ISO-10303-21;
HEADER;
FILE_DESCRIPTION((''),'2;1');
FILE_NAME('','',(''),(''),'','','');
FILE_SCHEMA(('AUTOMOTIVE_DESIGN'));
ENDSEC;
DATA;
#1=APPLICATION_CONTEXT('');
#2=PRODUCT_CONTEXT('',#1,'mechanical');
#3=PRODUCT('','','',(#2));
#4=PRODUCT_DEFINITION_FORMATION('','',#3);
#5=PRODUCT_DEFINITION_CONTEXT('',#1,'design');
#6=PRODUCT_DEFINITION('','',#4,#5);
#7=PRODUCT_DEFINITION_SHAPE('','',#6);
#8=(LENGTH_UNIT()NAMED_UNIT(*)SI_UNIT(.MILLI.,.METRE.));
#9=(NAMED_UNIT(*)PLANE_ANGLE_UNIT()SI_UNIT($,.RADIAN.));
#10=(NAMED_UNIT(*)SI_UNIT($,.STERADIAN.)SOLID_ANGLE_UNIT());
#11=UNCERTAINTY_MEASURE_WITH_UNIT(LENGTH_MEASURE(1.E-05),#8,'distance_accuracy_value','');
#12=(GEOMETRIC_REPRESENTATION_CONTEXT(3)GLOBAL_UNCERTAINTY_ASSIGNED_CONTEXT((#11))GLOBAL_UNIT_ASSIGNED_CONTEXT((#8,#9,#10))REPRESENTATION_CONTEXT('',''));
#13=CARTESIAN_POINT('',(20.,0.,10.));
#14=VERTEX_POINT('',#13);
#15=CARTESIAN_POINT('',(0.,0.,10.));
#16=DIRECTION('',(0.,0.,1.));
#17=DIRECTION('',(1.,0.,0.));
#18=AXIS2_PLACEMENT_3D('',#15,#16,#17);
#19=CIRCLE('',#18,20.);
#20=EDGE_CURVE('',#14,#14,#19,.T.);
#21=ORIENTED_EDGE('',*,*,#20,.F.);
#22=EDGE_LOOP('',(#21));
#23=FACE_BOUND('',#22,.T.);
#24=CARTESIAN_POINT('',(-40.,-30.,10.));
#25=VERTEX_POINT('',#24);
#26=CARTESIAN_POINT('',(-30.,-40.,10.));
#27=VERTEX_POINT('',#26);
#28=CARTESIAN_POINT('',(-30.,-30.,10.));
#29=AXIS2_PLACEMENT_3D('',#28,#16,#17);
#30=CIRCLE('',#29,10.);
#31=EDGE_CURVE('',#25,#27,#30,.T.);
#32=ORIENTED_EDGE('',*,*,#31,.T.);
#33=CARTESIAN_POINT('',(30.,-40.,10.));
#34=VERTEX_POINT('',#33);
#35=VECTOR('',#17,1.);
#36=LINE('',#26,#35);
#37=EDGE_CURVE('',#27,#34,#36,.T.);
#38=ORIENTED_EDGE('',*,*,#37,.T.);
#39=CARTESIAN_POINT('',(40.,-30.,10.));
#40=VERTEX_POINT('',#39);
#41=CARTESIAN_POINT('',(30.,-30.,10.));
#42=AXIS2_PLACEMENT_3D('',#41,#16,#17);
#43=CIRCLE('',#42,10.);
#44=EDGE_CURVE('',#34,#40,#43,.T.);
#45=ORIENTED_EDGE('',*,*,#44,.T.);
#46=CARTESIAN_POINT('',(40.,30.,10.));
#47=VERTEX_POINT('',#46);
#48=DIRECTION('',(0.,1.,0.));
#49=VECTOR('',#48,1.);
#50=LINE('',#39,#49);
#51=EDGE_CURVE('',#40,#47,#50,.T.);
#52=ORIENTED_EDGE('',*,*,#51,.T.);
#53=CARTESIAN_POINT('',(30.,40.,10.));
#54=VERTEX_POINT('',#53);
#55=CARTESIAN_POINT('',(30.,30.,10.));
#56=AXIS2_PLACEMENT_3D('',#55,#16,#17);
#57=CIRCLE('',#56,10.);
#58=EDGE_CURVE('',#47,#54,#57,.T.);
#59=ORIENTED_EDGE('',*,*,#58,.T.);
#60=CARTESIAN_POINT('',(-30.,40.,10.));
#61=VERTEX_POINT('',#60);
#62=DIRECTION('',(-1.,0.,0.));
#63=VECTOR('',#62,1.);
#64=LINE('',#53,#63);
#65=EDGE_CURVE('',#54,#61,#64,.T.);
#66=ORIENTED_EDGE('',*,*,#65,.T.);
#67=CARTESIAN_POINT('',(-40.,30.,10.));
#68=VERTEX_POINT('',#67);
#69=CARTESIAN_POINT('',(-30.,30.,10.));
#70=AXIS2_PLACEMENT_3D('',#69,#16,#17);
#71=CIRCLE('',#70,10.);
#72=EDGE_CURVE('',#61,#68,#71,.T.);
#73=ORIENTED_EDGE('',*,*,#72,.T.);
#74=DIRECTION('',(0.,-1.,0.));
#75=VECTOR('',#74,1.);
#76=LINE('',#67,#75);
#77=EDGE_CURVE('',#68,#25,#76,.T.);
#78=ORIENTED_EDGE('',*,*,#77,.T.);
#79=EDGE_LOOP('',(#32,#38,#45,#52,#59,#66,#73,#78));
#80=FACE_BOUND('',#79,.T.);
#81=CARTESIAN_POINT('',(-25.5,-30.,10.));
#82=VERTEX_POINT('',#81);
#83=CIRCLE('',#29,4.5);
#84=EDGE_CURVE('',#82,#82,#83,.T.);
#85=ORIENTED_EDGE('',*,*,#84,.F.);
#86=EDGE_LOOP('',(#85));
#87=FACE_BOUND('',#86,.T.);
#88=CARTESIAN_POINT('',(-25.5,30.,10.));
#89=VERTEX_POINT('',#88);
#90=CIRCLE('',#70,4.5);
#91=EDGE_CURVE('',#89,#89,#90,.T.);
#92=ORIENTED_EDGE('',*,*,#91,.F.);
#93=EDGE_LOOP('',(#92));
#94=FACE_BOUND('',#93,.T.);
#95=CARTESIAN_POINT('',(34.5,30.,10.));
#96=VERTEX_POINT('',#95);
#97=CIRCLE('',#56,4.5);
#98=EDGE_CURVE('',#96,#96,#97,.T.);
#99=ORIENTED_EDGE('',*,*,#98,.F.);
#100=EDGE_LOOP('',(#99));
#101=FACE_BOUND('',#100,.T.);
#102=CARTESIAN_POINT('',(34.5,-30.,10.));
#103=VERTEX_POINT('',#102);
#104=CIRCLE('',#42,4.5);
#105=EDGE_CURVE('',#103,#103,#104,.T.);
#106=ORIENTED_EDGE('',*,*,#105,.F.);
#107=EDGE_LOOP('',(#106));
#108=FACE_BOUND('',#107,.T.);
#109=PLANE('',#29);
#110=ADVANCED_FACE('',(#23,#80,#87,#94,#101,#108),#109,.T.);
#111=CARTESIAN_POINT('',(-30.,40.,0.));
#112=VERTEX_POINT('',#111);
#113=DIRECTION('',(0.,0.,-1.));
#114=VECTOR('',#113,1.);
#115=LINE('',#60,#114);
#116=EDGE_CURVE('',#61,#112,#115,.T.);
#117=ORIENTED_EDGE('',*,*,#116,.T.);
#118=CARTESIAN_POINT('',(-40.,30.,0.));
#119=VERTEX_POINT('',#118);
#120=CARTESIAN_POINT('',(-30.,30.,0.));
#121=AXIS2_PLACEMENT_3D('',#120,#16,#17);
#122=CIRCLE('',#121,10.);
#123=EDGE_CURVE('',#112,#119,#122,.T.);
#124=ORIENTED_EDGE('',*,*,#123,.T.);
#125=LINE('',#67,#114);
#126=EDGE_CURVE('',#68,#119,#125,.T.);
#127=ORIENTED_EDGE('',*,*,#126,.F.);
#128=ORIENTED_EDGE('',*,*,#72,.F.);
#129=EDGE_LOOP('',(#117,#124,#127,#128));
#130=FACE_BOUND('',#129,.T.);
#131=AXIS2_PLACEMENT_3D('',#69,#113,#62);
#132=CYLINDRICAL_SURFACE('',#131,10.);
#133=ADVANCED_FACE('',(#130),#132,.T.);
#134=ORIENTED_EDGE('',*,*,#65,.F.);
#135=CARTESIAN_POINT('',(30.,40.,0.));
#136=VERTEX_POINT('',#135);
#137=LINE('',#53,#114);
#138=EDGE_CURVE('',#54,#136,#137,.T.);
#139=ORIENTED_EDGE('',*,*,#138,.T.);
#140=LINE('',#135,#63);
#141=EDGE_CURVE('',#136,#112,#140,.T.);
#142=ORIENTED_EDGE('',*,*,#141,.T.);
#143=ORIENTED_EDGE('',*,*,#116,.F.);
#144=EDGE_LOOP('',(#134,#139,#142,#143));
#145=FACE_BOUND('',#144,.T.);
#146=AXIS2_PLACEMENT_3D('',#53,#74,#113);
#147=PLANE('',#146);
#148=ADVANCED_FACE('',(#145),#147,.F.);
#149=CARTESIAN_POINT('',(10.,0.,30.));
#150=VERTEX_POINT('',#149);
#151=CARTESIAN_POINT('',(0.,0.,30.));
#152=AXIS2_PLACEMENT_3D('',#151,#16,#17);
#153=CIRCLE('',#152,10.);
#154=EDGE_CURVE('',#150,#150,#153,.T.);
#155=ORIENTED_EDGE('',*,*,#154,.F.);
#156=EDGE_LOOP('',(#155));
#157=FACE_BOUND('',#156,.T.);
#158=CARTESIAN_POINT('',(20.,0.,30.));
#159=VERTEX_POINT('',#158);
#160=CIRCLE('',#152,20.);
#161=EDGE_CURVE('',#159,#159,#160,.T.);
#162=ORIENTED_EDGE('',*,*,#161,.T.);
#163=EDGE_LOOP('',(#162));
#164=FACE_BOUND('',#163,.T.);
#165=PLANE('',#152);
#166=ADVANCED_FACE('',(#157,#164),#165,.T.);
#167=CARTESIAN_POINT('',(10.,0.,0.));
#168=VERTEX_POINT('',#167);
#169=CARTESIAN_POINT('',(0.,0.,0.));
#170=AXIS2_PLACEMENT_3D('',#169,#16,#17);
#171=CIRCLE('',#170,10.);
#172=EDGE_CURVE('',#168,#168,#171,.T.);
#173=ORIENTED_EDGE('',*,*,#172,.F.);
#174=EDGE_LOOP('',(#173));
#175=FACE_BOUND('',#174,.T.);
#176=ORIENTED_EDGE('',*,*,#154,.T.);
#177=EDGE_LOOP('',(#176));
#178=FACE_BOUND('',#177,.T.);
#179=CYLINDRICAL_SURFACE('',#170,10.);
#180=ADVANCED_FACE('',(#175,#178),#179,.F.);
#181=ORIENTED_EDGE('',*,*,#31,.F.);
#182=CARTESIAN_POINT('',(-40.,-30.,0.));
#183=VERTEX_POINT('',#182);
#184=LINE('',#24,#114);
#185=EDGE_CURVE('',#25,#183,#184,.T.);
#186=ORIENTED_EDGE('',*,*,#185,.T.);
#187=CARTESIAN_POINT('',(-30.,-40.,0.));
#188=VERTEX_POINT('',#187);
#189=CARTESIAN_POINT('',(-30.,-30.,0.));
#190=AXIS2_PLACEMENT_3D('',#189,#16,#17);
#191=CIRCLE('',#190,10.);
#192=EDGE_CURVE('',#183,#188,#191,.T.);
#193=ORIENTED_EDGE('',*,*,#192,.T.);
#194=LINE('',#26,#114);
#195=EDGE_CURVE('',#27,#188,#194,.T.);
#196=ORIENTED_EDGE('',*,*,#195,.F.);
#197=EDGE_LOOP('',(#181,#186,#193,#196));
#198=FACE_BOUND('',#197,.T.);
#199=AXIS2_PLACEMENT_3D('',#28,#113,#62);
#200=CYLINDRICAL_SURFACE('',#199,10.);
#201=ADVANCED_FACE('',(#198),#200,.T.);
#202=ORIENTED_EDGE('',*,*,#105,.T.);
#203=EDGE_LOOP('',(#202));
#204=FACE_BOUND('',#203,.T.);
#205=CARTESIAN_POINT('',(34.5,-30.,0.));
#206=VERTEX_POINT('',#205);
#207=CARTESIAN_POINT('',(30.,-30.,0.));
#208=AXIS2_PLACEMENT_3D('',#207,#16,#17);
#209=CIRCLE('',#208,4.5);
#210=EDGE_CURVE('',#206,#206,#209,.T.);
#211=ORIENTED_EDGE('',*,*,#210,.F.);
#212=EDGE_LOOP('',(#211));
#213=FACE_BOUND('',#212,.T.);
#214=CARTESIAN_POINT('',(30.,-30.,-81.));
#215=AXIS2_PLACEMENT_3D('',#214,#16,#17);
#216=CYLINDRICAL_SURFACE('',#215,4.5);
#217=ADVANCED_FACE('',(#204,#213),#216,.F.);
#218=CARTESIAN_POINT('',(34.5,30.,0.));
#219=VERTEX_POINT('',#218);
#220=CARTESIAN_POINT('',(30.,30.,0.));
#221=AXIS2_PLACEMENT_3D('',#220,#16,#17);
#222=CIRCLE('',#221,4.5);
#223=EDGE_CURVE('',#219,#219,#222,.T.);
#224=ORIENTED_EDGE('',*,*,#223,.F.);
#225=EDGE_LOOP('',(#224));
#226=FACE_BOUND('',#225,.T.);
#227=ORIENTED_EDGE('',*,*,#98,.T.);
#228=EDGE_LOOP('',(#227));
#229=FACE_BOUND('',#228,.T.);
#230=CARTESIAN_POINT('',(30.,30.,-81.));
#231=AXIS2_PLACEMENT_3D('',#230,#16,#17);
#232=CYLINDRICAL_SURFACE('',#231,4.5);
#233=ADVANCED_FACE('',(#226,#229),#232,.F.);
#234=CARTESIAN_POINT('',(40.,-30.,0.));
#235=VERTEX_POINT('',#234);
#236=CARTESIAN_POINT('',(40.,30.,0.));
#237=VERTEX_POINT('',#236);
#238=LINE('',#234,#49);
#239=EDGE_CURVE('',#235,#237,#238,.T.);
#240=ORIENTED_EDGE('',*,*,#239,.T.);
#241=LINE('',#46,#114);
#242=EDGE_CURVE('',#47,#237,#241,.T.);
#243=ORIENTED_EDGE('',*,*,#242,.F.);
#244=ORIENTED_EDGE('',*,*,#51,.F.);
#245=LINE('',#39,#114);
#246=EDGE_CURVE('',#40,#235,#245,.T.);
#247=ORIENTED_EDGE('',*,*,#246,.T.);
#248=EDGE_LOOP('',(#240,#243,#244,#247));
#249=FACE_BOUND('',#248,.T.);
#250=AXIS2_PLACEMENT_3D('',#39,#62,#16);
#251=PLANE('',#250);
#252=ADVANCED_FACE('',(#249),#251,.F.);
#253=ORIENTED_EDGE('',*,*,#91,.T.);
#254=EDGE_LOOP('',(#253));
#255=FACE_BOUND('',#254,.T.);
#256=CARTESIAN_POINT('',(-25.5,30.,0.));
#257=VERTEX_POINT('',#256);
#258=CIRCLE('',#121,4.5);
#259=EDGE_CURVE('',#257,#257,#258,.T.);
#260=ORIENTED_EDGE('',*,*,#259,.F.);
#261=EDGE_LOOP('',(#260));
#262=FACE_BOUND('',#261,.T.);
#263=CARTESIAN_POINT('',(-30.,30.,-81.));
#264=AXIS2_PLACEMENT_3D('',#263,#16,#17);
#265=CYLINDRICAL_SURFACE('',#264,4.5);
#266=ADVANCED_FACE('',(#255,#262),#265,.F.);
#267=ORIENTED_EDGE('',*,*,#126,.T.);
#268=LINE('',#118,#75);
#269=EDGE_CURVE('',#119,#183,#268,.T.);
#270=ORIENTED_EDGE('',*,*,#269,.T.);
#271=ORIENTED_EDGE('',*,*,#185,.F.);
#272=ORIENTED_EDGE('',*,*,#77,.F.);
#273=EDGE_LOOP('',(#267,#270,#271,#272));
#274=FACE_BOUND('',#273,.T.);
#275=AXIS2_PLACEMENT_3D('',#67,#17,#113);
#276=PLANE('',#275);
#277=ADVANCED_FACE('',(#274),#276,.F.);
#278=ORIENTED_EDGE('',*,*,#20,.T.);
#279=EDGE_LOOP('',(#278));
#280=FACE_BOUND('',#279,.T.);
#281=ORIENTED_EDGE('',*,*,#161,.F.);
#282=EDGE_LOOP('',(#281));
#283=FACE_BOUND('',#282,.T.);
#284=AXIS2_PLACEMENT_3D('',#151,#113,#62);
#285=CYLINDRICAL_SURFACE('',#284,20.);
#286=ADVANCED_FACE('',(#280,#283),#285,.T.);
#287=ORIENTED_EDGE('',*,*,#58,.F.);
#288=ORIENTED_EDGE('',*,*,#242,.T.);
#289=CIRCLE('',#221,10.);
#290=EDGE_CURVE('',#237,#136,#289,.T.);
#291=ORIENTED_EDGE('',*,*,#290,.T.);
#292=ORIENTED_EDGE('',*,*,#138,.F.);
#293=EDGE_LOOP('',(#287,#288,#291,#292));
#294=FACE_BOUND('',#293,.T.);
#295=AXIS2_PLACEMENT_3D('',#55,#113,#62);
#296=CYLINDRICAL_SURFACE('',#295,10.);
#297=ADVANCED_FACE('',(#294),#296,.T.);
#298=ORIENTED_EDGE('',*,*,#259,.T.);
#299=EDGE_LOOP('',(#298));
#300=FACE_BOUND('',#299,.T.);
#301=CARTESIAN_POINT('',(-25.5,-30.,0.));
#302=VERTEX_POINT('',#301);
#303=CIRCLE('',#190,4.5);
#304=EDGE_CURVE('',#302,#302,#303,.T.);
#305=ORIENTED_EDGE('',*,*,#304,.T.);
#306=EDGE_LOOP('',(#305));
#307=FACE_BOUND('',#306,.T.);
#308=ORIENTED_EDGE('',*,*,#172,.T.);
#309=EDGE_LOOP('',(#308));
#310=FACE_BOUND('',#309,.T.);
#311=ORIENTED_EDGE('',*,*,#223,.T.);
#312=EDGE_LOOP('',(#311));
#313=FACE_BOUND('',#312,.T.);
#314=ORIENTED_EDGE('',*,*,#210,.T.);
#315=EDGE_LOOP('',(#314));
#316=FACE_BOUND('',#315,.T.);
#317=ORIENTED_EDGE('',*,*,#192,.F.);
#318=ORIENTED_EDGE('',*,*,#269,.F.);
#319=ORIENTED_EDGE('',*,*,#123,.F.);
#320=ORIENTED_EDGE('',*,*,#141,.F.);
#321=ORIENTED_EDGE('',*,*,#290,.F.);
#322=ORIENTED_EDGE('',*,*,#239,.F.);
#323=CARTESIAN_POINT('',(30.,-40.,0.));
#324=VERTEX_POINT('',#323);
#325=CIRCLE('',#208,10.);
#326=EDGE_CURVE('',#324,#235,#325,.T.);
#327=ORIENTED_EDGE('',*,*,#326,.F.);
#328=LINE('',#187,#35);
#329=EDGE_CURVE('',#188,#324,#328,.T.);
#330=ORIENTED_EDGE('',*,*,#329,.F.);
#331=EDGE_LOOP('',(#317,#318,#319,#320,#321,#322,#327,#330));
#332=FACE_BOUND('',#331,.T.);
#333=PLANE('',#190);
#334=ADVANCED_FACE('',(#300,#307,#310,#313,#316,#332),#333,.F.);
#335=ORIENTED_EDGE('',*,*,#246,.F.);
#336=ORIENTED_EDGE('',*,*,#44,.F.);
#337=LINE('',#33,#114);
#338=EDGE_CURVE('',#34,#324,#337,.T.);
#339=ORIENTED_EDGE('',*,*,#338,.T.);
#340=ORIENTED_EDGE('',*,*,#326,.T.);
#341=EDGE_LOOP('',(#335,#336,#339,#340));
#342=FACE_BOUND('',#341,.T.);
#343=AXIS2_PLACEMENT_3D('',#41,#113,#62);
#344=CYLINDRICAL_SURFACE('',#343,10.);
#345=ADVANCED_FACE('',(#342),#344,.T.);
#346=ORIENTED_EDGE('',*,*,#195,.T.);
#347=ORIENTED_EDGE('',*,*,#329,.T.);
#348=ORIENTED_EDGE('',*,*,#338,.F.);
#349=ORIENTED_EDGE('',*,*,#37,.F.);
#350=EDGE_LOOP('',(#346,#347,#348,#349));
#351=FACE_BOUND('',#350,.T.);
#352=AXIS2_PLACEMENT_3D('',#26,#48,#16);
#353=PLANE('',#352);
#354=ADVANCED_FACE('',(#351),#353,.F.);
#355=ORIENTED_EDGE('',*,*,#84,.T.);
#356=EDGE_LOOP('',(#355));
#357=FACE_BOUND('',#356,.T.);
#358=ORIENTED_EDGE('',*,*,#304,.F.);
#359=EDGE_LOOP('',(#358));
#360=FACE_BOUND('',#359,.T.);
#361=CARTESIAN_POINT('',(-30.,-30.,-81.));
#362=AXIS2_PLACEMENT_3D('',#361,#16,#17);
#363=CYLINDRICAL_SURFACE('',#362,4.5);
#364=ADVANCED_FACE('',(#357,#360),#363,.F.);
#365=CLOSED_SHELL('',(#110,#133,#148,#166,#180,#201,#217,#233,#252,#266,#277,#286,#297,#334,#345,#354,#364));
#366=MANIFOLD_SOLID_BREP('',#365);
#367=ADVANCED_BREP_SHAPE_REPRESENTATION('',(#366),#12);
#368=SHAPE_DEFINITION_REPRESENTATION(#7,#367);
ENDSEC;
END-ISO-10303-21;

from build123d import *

# Parameters (mm, degrees)
EXTRUDE_1_DEPTH     = 10
SKETCH_2_R          = 20
EXTRUDE_2_DEPTH     = 20
SKETCH_3_R          = 4.5
CUT_EXTRUDE_1_DEPTH = 81
SKETCH_4_R          = 10
CUT_EXTRUDE_2_DEPTH = 65.031242374


with BuildPart() as part:
    # 草图1 → 凸台-拉伸1 (new body)
    with BuildSketch(Plane.XY):
        with BuildLine():
            Line((-30, -40), (30, -40))
            ThreePointArc((30, -40), (37.071067812, -37.071067812), (40, -30))
            Line((40, -30), (40, 30))
            ThreePointArc((40, 30), (37.071067812, 37.071067812), (30, 40))
            Line((30, 40), (-30, 40))
            ThreePointArc((-30, 40), (-37.071067812, 37.071067812), (-40, 30))
            Line((-40, 30), (-40, -30))
            ThreePointArc((-40, -30), (-37.071067812, -37.071067812), (-30, -40))
        make_face()
    extrude(amount=EXTRUDE_1_DEPTH)

    # 草图2 → 凸台-拉伸2 (add)
    with BuildSketch(Plane.XY.offset(10)):
        Circle(SKETCH_2_R)
    extrude(amount=EXTRUDE_2_DEPTH)

    # 草图3 → 切除-拉伸1 (cut, symmetric)
    with BuildSketch(Plane.XY):
        with Locations((30, 30)):
            Circle(SKETCH_3_R)
        with Locations((-30, 30)):
            Circle(SKETCH_3_R)
        with Locations((-30, -30)):
            Circle(SKETCH_3_R)
        with Locations((30, -30)):
            Circle(SKETCH_3_R)
    extrude(amount=CUT_EXTRUDE_1_DEPTH, both=True, mode=Mode.SUBTRACT)

    # 草图4 → 切除-拉伸2 (cut, through all)
    with BuildSketch(Plane.XY.offset(30)):
        Circle(SKETCH_4_R)
    extrude(amount=-CUT_EXTRUDE_2_DEPTH, mode=Mode.SUBTRACT)


solid = part.part
